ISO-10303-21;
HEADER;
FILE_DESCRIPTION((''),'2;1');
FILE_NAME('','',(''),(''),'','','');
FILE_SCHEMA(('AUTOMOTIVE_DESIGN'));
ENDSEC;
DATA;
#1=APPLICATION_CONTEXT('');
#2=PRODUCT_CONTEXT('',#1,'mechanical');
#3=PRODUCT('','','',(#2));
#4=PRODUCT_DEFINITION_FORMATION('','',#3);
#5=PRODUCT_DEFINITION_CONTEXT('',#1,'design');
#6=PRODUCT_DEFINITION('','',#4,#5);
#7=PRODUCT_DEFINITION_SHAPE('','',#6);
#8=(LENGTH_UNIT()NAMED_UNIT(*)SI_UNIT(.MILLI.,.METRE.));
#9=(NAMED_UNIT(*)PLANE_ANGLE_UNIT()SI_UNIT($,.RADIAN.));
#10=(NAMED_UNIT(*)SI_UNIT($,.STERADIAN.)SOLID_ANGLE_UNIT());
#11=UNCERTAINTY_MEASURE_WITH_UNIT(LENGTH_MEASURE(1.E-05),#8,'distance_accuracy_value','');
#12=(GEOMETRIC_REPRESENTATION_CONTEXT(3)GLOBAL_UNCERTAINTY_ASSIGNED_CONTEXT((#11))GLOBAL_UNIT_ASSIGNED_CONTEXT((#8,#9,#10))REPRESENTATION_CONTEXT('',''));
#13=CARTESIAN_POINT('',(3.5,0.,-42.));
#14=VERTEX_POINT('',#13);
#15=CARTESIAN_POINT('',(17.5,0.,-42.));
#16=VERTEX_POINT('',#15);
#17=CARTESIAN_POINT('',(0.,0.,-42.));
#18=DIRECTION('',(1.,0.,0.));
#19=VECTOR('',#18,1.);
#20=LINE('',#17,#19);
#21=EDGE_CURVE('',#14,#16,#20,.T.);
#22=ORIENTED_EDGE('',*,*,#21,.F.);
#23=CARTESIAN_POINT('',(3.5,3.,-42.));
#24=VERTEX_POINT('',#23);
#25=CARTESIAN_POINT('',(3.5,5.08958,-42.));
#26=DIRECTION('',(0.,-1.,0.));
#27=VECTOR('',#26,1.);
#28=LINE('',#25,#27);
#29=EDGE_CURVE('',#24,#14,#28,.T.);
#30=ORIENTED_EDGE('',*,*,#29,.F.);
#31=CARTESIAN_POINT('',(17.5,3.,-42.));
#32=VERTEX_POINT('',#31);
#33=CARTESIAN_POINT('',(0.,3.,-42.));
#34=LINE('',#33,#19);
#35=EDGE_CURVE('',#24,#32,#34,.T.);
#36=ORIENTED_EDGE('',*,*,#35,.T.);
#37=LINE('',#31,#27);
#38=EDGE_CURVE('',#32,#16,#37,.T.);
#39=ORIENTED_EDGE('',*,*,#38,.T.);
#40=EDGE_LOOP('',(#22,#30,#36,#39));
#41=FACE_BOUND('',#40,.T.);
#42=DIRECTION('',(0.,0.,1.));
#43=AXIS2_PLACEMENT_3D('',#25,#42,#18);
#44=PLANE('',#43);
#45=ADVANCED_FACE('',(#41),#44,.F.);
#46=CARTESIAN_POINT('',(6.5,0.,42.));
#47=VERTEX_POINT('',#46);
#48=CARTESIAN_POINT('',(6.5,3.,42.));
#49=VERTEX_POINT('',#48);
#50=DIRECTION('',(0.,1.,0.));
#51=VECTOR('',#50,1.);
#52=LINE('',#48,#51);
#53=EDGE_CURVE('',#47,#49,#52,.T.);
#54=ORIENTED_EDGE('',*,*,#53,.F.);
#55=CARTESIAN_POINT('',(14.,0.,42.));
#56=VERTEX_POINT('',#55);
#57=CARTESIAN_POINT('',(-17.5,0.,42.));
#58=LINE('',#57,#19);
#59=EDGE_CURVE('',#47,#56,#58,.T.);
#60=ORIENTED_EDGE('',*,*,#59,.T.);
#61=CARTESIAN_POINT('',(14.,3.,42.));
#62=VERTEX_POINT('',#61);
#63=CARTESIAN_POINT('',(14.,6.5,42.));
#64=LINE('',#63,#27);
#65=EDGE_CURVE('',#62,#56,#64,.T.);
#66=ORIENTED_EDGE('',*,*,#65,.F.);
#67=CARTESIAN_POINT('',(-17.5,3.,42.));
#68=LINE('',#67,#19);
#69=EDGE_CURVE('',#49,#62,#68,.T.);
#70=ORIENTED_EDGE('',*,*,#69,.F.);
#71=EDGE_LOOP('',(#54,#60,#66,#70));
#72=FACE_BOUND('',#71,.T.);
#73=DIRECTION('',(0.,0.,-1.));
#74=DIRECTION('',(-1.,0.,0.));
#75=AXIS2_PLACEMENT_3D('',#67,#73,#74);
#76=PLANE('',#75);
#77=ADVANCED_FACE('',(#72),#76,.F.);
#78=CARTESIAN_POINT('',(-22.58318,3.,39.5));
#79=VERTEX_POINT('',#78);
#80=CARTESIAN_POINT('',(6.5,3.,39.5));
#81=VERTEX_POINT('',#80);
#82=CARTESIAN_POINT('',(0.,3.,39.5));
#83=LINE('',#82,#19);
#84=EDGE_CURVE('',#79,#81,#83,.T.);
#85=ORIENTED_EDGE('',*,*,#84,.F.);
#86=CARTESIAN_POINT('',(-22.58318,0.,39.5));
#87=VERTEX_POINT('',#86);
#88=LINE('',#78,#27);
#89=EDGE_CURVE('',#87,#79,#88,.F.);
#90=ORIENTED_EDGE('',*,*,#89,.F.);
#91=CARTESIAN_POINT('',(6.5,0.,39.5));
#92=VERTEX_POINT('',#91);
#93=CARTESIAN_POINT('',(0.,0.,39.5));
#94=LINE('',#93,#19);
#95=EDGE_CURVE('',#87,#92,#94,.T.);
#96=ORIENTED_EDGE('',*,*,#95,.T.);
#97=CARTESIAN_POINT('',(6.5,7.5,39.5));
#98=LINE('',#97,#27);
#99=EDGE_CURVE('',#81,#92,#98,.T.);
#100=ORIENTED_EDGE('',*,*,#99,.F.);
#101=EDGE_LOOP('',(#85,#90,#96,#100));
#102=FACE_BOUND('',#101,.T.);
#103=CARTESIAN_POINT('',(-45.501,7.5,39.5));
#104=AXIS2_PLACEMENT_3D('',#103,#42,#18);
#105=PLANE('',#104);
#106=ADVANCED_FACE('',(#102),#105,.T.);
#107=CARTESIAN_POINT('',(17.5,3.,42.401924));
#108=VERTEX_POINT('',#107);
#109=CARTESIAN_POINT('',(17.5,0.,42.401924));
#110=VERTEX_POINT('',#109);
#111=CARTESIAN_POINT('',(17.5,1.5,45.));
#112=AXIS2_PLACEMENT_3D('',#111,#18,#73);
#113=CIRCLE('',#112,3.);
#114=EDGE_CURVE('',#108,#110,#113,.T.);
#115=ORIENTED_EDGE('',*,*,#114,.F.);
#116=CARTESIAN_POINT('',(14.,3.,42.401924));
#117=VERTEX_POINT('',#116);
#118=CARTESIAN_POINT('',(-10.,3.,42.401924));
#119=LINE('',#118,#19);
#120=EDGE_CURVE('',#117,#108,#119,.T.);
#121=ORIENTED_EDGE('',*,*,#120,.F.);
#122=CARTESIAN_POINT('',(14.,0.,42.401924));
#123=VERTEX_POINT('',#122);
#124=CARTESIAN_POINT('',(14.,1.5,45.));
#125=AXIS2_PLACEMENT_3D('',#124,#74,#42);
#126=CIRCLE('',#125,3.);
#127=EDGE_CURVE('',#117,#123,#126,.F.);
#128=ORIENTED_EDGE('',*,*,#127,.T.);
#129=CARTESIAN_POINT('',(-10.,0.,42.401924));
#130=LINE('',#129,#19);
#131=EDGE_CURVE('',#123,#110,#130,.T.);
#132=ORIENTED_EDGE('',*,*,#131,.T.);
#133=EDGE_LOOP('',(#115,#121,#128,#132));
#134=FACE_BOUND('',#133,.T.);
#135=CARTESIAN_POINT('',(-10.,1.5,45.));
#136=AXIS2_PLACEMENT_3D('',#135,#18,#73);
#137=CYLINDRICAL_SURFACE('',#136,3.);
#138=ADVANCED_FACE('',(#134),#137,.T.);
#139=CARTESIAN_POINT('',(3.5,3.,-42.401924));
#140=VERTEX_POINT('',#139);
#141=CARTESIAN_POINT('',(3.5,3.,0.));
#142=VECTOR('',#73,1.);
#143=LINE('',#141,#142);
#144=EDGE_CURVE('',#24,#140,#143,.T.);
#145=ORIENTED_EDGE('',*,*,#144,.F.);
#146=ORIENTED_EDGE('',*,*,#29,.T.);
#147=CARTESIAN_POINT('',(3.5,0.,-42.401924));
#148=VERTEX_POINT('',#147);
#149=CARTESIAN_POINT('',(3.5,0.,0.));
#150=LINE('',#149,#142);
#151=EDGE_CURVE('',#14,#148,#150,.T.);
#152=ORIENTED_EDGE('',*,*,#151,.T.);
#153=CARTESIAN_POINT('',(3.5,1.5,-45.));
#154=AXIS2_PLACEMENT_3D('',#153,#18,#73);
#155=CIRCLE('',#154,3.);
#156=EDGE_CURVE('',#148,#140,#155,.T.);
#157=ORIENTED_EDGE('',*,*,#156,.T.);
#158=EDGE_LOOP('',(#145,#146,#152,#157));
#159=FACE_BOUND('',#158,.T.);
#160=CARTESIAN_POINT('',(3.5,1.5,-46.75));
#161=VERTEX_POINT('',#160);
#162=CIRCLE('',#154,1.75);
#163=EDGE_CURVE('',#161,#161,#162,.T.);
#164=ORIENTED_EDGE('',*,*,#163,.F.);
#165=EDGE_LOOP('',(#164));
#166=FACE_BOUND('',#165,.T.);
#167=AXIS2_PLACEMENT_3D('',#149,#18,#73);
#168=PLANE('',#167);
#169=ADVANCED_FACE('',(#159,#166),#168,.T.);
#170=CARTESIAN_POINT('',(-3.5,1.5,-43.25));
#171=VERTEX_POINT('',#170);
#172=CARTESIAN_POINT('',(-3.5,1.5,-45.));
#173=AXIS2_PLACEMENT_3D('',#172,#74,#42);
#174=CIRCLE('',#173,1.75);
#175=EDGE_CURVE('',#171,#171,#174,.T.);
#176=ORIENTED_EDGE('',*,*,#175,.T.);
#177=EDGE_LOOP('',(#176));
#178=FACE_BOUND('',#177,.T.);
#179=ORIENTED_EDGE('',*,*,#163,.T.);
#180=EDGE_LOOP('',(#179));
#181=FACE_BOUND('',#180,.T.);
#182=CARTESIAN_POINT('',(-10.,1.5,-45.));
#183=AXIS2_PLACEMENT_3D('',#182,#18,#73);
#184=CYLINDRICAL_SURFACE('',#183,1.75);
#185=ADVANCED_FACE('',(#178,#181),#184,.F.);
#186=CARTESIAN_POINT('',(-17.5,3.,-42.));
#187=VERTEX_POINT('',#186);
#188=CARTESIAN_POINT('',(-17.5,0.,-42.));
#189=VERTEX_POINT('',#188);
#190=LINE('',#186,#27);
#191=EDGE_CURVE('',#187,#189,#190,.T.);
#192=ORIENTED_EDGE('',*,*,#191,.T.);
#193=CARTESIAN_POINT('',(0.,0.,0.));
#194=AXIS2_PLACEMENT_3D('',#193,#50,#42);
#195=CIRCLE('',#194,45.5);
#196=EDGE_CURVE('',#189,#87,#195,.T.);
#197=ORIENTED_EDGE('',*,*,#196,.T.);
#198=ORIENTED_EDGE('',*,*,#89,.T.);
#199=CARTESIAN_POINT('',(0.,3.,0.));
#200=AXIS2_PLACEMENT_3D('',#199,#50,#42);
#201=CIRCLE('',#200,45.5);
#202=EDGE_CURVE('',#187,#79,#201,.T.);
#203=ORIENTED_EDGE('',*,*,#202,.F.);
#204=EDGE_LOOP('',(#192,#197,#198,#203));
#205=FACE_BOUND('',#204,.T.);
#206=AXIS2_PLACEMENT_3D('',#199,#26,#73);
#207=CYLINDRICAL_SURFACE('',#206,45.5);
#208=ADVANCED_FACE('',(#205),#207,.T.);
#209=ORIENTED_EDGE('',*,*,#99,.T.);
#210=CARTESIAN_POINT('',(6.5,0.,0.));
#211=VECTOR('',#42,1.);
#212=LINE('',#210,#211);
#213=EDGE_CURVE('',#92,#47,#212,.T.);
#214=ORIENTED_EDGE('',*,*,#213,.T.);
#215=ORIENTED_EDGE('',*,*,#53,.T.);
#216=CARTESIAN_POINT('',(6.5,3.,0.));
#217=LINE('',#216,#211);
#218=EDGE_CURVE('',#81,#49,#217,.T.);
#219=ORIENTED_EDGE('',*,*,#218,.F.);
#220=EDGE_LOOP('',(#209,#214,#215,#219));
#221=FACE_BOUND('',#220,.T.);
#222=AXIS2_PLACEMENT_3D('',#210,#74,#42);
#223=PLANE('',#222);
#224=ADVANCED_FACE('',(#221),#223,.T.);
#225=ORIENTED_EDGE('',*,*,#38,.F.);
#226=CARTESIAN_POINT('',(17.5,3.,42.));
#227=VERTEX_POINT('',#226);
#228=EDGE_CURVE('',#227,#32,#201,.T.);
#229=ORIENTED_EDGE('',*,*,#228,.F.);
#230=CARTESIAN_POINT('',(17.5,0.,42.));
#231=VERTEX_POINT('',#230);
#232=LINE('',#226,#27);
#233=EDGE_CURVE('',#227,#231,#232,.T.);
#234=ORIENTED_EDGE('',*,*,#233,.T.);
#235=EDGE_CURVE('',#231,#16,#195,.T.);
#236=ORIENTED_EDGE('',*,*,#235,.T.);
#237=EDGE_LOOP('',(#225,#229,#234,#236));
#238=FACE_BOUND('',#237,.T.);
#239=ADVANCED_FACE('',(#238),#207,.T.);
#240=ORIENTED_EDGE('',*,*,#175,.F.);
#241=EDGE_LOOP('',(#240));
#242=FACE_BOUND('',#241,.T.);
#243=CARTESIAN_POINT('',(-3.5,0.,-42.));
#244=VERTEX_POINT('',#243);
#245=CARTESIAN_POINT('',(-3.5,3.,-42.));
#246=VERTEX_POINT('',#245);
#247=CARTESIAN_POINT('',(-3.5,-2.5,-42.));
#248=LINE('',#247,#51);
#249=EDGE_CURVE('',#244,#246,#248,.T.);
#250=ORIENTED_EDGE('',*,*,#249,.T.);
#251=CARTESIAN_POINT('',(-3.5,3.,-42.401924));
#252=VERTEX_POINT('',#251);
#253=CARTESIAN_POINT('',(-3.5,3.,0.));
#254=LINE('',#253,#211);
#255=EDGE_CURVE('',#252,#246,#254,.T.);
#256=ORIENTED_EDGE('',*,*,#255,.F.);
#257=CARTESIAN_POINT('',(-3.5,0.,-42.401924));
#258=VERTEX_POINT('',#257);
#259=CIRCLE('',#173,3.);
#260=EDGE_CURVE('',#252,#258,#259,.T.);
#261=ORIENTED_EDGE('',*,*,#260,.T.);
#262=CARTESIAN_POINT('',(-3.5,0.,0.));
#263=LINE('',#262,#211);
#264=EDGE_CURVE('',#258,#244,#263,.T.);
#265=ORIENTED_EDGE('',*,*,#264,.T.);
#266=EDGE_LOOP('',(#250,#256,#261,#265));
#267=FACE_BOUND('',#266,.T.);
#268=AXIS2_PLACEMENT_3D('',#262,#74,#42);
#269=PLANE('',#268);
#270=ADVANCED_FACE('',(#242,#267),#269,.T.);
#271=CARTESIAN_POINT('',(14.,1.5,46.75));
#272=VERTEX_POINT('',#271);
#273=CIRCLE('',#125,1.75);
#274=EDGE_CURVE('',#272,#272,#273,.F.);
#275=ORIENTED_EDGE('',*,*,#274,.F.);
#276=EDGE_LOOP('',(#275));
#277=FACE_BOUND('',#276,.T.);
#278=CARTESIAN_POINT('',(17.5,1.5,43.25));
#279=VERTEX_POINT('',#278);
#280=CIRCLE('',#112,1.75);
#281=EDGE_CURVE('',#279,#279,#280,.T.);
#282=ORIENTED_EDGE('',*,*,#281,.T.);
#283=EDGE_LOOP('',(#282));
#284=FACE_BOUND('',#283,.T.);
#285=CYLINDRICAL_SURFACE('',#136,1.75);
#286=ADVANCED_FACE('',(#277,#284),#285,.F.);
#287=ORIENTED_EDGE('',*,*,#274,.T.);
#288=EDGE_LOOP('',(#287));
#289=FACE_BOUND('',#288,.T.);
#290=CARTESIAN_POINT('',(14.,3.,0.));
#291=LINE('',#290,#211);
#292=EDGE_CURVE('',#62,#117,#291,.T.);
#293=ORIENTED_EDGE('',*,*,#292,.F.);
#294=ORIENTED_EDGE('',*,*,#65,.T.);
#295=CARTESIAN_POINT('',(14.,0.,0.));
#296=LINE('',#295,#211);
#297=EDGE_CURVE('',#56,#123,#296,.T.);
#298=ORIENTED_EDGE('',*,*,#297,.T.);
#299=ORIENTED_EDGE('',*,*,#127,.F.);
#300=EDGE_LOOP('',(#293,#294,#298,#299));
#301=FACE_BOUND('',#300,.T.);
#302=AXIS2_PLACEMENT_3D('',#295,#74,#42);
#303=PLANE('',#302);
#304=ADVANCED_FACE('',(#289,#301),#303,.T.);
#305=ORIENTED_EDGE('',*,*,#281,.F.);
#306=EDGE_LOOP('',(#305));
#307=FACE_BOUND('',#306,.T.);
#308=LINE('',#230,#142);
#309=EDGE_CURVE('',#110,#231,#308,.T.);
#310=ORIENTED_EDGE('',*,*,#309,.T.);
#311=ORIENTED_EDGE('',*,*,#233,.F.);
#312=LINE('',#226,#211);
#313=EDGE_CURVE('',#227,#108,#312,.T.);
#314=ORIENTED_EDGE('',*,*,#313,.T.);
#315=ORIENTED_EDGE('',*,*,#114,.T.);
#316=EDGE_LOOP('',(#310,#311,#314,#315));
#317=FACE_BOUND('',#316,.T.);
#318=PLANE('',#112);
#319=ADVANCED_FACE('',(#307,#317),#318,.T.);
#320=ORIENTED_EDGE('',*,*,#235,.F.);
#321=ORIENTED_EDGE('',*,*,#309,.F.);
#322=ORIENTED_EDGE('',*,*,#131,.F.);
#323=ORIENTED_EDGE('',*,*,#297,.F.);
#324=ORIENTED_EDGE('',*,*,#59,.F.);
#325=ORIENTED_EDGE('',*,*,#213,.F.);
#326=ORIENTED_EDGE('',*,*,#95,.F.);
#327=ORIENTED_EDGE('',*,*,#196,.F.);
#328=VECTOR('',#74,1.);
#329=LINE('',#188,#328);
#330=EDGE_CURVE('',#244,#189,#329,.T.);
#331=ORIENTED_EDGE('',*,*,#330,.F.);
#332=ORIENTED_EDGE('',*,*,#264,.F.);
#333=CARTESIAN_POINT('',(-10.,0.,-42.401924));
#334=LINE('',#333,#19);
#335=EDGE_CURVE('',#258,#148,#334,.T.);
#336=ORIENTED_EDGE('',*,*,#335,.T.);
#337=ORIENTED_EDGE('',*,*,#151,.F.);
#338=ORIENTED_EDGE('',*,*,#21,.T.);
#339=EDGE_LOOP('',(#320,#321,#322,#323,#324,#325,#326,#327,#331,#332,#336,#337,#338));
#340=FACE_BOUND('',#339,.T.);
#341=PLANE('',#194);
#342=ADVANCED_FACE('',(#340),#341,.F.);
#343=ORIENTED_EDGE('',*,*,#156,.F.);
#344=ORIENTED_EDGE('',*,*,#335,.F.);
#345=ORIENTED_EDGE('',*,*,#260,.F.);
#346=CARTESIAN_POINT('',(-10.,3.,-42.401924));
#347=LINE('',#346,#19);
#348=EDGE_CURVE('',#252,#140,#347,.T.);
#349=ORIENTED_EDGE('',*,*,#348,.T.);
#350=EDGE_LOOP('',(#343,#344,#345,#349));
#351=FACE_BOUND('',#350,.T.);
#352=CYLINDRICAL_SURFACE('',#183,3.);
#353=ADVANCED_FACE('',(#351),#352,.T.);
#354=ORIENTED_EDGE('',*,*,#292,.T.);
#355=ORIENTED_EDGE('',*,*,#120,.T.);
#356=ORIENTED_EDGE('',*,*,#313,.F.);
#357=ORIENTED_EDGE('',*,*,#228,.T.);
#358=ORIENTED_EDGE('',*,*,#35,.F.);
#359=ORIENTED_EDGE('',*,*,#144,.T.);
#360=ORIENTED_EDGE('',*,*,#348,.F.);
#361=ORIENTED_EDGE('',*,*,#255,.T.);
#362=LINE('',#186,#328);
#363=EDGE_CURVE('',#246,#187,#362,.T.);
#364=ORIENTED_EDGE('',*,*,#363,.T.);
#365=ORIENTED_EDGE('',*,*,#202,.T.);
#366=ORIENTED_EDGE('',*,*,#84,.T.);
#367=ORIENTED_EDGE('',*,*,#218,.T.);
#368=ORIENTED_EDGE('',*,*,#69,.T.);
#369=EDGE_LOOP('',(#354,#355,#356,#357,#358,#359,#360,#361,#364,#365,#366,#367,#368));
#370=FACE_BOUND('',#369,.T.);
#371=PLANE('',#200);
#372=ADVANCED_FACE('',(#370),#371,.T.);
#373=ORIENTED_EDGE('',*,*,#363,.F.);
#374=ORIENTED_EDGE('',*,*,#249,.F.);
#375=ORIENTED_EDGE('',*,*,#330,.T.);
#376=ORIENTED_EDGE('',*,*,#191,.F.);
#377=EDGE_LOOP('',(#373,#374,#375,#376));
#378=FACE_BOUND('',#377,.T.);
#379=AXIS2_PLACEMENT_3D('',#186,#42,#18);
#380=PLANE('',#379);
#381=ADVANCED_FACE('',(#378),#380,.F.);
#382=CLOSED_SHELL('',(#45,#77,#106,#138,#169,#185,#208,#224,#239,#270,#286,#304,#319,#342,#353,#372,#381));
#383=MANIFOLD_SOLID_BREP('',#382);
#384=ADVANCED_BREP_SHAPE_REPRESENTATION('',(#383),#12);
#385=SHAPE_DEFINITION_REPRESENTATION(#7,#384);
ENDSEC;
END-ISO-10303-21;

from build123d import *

# Parameters (mm, degrees)
BOSS_EXTRUDE1_DEPTH     = 3
BOSS_EXTRUDE2_START     = -10
SKETCH2_R               = 1.75
BOSS_EXTRUDE2_DEPTH     = 27.5
SKETCH3_W               = 8
SKETCH3_H               = 9
CUT_EXTRUDE1_DEPTH      = 24
SKETCH4_W               = 8
SKETCH4_H               = 9
CUT_EXTRUDE2_DEPTH      = 6.5
SKETCH5_W               = 7
SKETCH5_H               = 7
CUT_EXTRUDE3_DEPTH      = 14
CUT_EXTRUDE4_REACH      = 72.91
CUT_EXTRUDE4_END_RADIUS = 45.5
SKETCH6_W               = 11
SKETCH6_H               = 12


with BuildPart() as part:
    # Sketch1 → Boss-Extrude1 (new body)
    with BuildSketch(Plane(origin=(0, 0, 0), x_dir=(1, 0, 0), z_dir=(0, 1, 0))):
        with BuildLine():
            Line((-17.5, -42), (17.5, -42))
            ThreePointArc((17.5, -42), (45.5, 0), (17.5, 42))
            Line((17.5, 42), (-17.5, 42))
            ThreePointArc((-17.5, 42), (-45.5, 0), (-17.5, -42))
        make_face()
    extrude(amount=BOSS_EXTRUDE1_DEPTH)

    # Sketch2 → Boss-Extrude2 (add)
    with BuildSketch(Plane(origin=(0, 0, 0), x_dir=(0, 0, -1), z_dir=(1, 0, 0)).offset(BOSS_EXTRUDE2_START)):
        with BuildLine():
            Line((-42, 0), (-42.401923789, 0))
            ThreePointArc((-42.401923789, 0), (-48, 1.5), (-42.401923789, 3))
            Line((-42.401923789, 3), (-42, 3))
            Line((-42, 3), (-42, 1.5))
            Line((-42, 1.5), (-42, 0))
        make_face()
        with Locations((-45, 1.5)):
            Circle(SKETCH2_R, mode=Mode.SUBTRACT)
    boss_extrude2 = extrude(amount=BOSS_EXTRUDE2_DEPTH)

    # Mirror1: Boss-Extrude2 across plane
    add(boss_extrude2.mirror(Plane.XY))

    # Sketch3 → Cut-Extrude1 (cut)
    with BuildSketch(Plane.ZY.offset(10)):
        with Locations((46, 2)):
            Rectangle(SKETCH3_W, SKETCH3_H)
    extrude(amount=-CUT_EXTRUDE1_DEPTH, mode=Mode.SUBTRACT)

    # Sketch4 → Cut-Extrude2 (cut)
    with BuildSketch(Plane.ZY.offset(10)):
        with Locations((-46, 2)):
            Rectangle(SKETCH4_W, SKETCH4_H)
    extrude(amount=-CUT_EXTRUDE2_DEPTH, mode=Mode.SUBTRACT)

    # Sketch5 → Cut-Extrude3 (cut)
    with BuildSketch(Plane(origin=(17.5, 0, 0), x_dir=(0, 0, -1), z_dir=(1, 0, 0))):
        with Locations((45.5, 1.589580261)):
            Rectangle(SKETCH5_W, SKETCH5_H)
    extrude(amount=-CUT_EXTRUDE3_DEPTH, mode=Mode.SUBTRACT)

    # Cut-Extrude4: up to this cylinder (the profile starts inside it)
    cut_extrude4_end = Plane(origin=(0, 1.5, 0), z_dir=(0, -1, 0)) * Cylinder(CUT_EXTRUDE4_END_RADIUS, 237.82, mode=Mode.PRIVATE)
    # Sketch6 → Cut-Extrude4 (cut, up to the surface)
    with BuildSketch(Plane.ZY.offset(-6.5), mode=Mode.PRIVATE) as cut_extrude4_sk1:
        with Locations((45, 1.5)):
            Rectangle(SKETCH6_W, SKETCH6_H)
    cut_extrude4_tool1 = extrude(cut_extrude4_sk1.sketch, amount=CUT_EXTRUDE4_REACH, mode=Mode.PRIVATE) & cut_extrude4_end
    add(cut_extrude4_tool1.solids().sort_by_distance((6.5, 1.5, 45))[0], mode=Mode.SUBTRACT)


solid = part.part
